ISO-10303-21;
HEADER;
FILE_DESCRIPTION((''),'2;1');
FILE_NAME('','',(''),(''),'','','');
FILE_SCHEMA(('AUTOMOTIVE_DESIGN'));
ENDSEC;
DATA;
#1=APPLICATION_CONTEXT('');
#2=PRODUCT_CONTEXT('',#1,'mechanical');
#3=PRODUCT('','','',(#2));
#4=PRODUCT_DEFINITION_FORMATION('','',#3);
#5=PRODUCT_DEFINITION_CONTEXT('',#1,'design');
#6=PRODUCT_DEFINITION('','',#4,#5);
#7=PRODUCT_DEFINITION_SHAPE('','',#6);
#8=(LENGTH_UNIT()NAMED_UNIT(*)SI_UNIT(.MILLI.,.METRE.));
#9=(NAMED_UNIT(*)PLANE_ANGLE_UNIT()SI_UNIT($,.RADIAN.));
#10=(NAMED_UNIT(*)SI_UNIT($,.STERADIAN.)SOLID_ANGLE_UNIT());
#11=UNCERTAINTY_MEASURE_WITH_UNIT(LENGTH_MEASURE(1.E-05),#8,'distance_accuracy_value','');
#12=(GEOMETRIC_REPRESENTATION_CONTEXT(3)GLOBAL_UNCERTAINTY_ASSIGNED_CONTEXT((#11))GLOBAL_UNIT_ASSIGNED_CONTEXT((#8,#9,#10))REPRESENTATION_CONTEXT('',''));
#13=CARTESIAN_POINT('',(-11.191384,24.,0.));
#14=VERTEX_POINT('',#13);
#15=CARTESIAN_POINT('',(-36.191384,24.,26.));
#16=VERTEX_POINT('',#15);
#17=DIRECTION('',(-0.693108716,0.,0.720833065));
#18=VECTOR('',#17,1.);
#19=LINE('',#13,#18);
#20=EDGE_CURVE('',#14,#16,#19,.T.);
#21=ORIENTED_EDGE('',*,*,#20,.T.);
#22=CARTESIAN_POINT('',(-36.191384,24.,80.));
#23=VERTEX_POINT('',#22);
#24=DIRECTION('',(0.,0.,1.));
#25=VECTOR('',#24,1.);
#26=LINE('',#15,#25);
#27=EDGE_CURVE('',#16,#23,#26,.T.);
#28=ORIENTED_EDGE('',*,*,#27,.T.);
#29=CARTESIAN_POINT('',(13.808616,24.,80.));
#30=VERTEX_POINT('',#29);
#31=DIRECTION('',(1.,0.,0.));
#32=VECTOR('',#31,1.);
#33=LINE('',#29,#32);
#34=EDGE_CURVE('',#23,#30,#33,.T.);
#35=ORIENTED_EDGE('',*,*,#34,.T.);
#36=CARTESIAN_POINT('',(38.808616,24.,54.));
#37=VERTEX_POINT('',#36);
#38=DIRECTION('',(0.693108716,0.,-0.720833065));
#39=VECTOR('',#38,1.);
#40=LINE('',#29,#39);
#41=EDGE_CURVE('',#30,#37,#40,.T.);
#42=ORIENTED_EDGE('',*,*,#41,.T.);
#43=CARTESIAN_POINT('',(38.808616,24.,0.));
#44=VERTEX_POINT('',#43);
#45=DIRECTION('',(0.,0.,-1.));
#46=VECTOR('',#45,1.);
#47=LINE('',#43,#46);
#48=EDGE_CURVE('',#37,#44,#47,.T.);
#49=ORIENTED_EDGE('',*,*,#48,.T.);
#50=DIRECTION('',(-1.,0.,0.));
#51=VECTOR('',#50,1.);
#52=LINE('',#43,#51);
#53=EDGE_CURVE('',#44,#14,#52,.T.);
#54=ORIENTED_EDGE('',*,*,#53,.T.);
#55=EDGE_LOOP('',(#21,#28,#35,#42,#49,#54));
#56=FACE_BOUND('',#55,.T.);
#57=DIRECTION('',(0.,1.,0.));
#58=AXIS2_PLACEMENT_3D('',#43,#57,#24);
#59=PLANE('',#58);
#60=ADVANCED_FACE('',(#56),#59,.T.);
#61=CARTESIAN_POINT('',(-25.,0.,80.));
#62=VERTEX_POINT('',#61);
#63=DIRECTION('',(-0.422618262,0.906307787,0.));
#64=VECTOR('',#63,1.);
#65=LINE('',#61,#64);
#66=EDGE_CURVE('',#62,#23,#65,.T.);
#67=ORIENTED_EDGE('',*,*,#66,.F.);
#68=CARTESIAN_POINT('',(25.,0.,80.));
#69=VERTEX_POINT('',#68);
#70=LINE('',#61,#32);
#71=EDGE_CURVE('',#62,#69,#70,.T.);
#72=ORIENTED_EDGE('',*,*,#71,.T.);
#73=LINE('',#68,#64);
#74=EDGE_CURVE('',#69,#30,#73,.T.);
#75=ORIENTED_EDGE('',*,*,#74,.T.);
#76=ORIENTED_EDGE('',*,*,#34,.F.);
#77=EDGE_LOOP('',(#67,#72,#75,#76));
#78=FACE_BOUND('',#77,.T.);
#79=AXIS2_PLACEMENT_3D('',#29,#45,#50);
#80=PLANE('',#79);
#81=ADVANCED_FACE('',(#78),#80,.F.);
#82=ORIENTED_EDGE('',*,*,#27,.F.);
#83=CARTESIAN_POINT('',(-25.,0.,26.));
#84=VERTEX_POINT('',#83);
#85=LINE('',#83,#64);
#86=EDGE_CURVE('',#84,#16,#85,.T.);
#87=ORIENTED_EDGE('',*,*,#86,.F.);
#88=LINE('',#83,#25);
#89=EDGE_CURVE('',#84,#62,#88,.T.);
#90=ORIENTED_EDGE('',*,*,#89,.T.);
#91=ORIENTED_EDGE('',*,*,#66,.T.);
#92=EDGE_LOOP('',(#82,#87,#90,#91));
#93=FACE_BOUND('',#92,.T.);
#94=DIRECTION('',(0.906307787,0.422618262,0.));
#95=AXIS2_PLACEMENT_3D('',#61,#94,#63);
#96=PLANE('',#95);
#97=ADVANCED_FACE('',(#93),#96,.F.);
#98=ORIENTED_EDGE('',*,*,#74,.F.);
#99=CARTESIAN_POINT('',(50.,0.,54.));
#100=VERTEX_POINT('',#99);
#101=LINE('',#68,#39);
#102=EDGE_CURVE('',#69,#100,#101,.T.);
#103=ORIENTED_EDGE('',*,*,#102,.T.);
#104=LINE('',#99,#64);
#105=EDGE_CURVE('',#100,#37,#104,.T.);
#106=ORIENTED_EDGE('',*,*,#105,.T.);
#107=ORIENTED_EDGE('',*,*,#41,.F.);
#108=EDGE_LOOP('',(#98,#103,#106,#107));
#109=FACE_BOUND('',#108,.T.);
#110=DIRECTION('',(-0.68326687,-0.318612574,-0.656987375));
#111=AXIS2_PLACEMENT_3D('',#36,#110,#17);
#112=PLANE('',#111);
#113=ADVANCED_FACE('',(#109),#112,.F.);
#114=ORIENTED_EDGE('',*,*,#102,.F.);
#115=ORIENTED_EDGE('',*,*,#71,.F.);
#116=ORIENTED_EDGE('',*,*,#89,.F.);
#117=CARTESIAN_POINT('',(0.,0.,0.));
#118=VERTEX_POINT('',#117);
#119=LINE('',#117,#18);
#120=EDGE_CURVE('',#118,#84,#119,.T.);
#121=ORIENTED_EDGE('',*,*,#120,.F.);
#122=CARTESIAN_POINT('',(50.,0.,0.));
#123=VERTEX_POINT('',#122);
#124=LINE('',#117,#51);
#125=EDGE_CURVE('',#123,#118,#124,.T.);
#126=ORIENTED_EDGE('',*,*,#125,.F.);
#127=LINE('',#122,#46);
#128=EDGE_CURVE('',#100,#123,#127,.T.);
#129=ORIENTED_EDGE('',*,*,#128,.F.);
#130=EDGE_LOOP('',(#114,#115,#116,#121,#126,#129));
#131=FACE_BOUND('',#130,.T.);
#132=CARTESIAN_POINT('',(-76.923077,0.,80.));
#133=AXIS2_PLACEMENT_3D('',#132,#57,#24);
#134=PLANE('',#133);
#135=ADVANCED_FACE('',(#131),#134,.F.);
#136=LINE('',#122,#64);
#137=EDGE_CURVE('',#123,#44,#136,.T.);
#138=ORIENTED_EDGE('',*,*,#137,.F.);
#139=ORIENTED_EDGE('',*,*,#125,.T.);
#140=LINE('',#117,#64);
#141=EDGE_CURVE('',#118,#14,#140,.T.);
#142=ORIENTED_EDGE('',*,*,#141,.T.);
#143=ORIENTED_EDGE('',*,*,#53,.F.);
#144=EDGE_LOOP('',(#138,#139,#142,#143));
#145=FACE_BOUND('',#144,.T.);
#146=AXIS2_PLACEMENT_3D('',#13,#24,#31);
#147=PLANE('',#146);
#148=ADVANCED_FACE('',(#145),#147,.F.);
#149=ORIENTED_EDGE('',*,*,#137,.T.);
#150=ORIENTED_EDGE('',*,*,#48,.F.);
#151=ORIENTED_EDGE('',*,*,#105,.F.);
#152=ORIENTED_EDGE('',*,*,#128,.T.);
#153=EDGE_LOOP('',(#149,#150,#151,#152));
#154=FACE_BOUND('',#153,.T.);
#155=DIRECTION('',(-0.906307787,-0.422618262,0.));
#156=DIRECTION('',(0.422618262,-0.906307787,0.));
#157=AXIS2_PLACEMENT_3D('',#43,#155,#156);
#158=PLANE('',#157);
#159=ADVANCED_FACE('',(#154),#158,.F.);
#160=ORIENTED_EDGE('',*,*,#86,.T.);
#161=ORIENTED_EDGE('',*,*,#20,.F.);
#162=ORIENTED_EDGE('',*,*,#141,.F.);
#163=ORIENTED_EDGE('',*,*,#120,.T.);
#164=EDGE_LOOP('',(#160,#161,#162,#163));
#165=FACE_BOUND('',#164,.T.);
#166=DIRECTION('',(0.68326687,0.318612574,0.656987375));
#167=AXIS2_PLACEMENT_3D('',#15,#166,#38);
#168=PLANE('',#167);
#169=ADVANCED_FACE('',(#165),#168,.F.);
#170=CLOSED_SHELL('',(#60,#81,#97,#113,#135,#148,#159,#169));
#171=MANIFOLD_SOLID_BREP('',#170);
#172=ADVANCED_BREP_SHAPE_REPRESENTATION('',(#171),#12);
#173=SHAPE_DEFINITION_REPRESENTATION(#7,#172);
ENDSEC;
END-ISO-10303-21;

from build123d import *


with BuildPart() as part:
    # Sketch1 → Loft1 section 0
    with BuildSketch(Plane(origin=(0, 0, 0), x_dir=(1, 0, 0), z_dir=(0, 1, 0))):
        Polygon((0, 0), (50, 0), (50, -54), (25, -80), (-25, -80), (-25, -26), align=None)
    # Sketch4 → Loft1 section 1
    with BuildSketch(Plane(origin=(0, 24, 0), x_dir=(-1, 0, 0), z_dir=(0, 1, 0))):
        Polygon((-38.808616204, 0), (-38.808616204, 54), (-13.808616204, 80), (36.191383796, 80), (36.191383796, 26), (11.191383796, 0), align=None)
    loft()


solid = part.part
